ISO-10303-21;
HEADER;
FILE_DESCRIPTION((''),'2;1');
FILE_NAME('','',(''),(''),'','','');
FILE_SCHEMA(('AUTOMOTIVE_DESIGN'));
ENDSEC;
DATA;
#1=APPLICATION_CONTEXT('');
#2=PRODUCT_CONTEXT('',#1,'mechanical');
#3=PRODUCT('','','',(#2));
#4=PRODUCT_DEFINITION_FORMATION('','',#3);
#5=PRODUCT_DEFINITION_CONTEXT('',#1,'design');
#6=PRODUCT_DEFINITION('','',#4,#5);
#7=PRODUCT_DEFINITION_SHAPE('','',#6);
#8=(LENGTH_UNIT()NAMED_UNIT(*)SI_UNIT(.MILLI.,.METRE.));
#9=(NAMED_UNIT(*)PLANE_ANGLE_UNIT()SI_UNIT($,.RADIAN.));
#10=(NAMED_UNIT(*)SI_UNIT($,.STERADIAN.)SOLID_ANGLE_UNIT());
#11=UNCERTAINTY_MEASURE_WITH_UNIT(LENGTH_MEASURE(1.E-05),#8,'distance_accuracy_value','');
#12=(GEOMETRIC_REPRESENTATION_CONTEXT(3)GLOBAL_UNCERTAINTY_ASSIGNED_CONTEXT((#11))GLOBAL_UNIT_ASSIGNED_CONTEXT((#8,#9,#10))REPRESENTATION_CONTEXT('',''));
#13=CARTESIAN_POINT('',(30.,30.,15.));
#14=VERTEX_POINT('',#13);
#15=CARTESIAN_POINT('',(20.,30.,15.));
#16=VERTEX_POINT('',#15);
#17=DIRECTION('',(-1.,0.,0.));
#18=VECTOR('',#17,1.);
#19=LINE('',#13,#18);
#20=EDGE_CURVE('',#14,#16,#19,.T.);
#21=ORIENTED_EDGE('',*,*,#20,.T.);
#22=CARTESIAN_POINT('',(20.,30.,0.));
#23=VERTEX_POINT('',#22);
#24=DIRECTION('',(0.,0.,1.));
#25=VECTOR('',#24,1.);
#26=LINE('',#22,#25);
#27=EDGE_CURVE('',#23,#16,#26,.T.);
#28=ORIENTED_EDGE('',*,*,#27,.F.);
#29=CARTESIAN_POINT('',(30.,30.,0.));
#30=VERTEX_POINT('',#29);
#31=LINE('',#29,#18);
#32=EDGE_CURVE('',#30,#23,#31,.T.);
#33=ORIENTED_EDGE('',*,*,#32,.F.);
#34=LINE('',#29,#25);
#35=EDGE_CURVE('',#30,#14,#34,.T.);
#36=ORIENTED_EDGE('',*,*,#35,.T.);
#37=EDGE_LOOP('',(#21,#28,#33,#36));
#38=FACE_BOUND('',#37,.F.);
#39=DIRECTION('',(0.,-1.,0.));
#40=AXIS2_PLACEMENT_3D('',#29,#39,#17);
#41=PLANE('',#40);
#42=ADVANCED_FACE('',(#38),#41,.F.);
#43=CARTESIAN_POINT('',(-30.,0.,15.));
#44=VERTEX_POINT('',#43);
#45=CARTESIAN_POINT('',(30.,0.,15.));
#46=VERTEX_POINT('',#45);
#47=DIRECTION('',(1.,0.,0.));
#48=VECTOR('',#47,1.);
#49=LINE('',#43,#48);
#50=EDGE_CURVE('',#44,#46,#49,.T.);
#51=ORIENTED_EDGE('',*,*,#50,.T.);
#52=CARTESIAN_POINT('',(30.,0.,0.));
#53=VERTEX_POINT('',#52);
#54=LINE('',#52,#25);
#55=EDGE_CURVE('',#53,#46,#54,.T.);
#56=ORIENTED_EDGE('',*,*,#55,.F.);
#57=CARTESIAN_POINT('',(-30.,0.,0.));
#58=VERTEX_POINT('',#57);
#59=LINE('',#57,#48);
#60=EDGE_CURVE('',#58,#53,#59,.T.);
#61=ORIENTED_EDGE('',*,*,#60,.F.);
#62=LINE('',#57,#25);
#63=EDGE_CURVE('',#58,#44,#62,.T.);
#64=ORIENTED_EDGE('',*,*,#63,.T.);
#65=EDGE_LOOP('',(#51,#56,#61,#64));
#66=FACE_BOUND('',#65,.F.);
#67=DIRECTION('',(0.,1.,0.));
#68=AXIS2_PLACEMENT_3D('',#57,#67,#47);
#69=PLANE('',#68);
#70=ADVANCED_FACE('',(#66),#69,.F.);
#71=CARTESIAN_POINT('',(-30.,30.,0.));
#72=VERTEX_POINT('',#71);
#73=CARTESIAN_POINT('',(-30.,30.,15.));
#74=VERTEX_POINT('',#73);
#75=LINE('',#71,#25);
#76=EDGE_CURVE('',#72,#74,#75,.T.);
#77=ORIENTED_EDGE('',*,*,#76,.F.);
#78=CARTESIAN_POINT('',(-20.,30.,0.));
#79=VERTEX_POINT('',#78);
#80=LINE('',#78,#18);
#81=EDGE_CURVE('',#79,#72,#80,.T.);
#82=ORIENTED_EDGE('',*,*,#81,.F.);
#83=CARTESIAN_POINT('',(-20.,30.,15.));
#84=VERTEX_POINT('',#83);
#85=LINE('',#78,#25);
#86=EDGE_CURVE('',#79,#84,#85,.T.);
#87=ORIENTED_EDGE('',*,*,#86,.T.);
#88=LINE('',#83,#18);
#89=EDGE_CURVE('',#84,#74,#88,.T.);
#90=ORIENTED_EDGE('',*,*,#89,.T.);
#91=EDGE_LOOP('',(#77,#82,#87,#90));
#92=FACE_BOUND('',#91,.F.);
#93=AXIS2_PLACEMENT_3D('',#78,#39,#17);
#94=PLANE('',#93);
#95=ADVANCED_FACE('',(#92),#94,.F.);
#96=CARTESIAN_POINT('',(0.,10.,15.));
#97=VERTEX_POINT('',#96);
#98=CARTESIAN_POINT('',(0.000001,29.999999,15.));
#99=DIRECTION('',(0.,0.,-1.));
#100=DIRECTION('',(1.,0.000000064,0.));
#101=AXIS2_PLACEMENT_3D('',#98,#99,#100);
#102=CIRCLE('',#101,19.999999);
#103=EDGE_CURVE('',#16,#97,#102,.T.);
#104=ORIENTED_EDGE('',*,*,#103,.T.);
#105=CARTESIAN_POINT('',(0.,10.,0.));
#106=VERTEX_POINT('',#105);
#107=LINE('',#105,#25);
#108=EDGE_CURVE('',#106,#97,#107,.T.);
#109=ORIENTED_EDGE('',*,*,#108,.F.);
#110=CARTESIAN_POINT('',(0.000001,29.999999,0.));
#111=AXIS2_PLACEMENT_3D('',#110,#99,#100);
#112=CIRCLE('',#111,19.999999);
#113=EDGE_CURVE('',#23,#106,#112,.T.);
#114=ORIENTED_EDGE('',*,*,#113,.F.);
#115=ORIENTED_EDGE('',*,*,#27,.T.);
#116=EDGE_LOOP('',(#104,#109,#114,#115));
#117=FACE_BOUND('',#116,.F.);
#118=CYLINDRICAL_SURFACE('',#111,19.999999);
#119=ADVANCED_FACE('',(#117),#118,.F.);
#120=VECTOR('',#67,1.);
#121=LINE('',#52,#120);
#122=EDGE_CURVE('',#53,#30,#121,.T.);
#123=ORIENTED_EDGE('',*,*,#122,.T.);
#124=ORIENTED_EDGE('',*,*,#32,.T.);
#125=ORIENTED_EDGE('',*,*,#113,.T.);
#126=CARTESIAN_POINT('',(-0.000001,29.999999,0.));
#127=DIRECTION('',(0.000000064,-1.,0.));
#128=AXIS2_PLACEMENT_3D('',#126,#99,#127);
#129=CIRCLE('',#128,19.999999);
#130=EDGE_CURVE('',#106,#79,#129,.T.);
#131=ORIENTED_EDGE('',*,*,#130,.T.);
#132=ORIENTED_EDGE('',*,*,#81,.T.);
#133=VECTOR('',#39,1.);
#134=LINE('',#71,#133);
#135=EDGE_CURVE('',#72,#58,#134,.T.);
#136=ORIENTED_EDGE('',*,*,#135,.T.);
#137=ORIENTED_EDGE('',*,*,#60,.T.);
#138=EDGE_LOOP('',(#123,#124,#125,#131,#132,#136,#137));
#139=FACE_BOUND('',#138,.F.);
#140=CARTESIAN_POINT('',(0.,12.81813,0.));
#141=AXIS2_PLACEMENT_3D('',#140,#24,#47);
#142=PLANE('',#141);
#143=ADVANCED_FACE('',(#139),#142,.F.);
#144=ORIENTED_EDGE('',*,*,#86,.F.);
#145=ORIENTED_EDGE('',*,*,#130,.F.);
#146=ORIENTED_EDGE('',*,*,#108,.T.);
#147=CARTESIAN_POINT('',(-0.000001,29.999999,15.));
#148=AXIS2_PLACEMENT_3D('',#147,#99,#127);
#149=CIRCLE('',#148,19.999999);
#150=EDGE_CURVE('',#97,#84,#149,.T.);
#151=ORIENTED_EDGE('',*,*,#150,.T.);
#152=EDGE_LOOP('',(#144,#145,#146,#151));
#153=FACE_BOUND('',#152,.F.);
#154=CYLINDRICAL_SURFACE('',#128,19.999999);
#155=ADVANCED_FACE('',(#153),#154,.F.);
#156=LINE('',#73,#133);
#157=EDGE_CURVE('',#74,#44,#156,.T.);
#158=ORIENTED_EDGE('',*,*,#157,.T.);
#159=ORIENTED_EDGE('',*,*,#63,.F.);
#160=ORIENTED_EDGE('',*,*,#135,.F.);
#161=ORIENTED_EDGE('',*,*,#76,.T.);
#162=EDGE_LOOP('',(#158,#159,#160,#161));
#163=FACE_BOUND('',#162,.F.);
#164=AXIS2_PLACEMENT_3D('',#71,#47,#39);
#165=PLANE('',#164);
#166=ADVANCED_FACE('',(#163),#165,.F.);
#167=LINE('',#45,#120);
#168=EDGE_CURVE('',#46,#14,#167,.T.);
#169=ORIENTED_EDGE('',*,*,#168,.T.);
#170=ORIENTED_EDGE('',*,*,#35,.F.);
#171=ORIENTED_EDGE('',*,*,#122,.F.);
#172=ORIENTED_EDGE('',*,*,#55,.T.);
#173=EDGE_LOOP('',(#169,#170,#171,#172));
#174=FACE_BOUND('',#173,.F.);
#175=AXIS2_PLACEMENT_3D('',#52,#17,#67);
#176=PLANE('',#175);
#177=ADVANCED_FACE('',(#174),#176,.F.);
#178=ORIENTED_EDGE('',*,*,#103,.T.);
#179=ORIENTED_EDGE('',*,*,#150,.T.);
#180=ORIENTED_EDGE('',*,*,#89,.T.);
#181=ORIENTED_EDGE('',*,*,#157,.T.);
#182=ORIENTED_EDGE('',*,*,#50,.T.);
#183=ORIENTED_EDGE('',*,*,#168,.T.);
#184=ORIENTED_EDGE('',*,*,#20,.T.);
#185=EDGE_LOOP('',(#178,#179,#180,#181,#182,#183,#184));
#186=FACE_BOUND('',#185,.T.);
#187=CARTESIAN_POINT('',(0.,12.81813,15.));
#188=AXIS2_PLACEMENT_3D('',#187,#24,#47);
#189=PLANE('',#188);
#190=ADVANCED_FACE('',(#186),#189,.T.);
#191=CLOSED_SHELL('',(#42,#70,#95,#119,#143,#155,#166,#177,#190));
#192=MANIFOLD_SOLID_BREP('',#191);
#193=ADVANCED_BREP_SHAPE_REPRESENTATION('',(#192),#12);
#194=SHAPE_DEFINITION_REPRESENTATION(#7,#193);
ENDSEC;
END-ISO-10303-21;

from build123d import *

# Parameters (mm, degrees)
F1_DEPTH = 15


with BuildPart() as f1:
    # F0 (on Top) → F1 (new body)
    with BuildSketch(Plane.XY):
        with BuildLine():
            Line((-30, 0), (0, 0))
            Line((0, 0), (30, 0))
            Line((30, 0), (30, 30))
            Line((30, 30), (20, 30))
            ThreePointArc((20, 30), (14.142136, 15.857864), (0, 10))
            ThreePointArc((0, 10), (-14.142136, 15.857864), (-20, 30))
            Line((-20, 30), (-30, 30))
            Line((-30, 30), (-30, 0))
        make_face()
    extrude(amount=F1_DEPTH)


solid = f1.part
